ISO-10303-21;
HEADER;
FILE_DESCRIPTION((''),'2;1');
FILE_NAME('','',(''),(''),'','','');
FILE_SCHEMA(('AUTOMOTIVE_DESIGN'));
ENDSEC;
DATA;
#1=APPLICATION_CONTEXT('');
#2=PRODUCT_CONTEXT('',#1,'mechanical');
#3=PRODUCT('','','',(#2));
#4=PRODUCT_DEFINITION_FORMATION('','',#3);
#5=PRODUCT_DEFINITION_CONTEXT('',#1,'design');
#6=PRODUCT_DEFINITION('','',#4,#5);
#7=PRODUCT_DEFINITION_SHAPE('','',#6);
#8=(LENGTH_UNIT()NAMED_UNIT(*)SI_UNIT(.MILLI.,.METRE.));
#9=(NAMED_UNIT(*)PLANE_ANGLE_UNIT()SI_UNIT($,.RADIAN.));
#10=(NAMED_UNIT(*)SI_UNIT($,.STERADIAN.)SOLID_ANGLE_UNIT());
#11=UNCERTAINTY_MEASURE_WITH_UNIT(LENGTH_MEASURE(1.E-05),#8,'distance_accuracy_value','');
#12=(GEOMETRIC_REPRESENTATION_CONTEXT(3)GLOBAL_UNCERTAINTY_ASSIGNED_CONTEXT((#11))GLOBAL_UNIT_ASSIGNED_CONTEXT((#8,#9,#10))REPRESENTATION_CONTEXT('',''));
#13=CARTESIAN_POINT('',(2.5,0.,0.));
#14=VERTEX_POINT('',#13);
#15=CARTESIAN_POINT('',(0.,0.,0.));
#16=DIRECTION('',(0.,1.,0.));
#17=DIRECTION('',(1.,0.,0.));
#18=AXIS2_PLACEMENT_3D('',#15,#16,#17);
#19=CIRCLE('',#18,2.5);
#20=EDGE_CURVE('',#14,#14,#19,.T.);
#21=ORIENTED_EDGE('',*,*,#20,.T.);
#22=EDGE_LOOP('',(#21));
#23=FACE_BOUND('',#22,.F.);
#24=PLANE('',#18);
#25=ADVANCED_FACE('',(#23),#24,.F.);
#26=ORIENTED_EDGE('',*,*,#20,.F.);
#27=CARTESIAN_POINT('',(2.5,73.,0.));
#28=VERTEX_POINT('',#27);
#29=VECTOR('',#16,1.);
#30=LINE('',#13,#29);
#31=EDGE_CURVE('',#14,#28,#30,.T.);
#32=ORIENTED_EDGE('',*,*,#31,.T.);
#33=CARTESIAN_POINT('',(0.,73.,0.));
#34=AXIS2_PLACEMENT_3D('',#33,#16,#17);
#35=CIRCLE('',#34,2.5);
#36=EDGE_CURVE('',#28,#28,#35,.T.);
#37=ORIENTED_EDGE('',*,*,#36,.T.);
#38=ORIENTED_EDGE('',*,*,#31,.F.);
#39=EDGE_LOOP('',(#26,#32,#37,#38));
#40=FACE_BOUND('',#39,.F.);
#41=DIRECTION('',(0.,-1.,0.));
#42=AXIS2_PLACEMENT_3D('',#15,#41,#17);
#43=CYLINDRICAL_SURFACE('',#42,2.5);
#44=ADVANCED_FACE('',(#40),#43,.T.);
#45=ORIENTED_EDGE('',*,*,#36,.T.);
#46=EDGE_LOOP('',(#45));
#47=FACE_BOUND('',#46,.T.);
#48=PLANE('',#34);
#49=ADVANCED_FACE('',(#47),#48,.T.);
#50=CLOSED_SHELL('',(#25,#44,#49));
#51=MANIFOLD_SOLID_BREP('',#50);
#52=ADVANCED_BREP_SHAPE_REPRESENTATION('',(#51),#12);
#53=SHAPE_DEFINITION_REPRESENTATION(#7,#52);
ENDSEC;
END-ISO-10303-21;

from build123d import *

# Parameters (mm, degrees)
SKETCH1_R      = 2.5
EXTRUDE1_DEPTH = 73


with BuildPart() as part:
    # Sketch1 → Extrude1 (new body)
    with BuildSketch(Plane(origin=(0, 0, 0), x_dir=(1, 0, 0), z_dir=(0, 1, 0))):
        Circle(SKETCH1_R)
    extrude(amount=EXTRUDE1_DEPTH)


solid = part.part
